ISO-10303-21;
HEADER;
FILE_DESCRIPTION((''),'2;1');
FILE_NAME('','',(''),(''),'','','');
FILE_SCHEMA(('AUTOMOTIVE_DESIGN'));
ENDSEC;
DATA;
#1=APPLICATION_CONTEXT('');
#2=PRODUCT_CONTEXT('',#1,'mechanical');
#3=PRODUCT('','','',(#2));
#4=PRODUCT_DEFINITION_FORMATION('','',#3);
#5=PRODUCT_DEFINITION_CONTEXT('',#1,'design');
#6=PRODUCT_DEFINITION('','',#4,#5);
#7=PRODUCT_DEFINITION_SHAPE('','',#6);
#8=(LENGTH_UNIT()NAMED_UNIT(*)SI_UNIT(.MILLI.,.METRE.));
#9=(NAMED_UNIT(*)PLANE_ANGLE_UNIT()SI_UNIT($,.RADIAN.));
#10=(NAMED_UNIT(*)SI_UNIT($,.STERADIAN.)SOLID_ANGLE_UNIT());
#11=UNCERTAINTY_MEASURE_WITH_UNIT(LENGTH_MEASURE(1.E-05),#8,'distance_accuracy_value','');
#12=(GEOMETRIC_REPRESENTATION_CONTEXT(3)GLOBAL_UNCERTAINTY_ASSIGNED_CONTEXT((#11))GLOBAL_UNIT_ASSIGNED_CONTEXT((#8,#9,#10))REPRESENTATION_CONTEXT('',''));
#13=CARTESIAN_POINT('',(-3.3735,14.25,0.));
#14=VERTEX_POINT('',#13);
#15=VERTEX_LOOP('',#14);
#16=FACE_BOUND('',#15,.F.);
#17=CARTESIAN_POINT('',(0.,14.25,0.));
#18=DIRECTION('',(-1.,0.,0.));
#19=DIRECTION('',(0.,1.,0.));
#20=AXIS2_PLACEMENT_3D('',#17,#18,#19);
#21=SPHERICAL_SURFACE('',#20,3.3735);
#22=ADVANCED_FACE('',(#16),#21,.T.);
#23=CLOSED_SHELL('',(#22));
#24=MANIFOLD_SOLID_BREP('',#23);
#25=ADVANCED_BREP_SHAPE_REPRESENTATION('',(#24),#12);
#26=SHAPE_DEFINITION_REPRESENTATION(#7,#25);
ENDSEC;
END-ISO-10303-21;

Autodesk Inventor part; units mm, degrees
sketch "Sketch_1" plane through (0, 0, 0) normal (0, 0, 1) x (1, 0, 0)
  line L0 (3.3735, 14.25) -> (-3.3735, 14.25)
  arc A0 (3.3735, 14.25) -> (-3.3735, 14.25) centre (0, 14.25) ccw
  line L1 (3.3735, 14.25) -> (-3.3735, 14.25)
revolve "Revolution1" add sketch "Sketch_1" angle 360 about axis through (3.3735, 14.25, 0) along (1, 0, 0)
ref_plane "ball_XY" through (0, 14.25, 0) normal (1, 0, 0) x (0, 0, -1)
ref_plane "ball_YZ" through (0, 14.25, 0) normal (0, 0, -1) x (0, 1, 0)
ref_plane "ball_ZX" through (0, 14.25, 0) normal (0, 1, 0) x (1, 0, 0)
properties part number "17-40-27.4-12-ybrg1-43-6.747-28.5"
